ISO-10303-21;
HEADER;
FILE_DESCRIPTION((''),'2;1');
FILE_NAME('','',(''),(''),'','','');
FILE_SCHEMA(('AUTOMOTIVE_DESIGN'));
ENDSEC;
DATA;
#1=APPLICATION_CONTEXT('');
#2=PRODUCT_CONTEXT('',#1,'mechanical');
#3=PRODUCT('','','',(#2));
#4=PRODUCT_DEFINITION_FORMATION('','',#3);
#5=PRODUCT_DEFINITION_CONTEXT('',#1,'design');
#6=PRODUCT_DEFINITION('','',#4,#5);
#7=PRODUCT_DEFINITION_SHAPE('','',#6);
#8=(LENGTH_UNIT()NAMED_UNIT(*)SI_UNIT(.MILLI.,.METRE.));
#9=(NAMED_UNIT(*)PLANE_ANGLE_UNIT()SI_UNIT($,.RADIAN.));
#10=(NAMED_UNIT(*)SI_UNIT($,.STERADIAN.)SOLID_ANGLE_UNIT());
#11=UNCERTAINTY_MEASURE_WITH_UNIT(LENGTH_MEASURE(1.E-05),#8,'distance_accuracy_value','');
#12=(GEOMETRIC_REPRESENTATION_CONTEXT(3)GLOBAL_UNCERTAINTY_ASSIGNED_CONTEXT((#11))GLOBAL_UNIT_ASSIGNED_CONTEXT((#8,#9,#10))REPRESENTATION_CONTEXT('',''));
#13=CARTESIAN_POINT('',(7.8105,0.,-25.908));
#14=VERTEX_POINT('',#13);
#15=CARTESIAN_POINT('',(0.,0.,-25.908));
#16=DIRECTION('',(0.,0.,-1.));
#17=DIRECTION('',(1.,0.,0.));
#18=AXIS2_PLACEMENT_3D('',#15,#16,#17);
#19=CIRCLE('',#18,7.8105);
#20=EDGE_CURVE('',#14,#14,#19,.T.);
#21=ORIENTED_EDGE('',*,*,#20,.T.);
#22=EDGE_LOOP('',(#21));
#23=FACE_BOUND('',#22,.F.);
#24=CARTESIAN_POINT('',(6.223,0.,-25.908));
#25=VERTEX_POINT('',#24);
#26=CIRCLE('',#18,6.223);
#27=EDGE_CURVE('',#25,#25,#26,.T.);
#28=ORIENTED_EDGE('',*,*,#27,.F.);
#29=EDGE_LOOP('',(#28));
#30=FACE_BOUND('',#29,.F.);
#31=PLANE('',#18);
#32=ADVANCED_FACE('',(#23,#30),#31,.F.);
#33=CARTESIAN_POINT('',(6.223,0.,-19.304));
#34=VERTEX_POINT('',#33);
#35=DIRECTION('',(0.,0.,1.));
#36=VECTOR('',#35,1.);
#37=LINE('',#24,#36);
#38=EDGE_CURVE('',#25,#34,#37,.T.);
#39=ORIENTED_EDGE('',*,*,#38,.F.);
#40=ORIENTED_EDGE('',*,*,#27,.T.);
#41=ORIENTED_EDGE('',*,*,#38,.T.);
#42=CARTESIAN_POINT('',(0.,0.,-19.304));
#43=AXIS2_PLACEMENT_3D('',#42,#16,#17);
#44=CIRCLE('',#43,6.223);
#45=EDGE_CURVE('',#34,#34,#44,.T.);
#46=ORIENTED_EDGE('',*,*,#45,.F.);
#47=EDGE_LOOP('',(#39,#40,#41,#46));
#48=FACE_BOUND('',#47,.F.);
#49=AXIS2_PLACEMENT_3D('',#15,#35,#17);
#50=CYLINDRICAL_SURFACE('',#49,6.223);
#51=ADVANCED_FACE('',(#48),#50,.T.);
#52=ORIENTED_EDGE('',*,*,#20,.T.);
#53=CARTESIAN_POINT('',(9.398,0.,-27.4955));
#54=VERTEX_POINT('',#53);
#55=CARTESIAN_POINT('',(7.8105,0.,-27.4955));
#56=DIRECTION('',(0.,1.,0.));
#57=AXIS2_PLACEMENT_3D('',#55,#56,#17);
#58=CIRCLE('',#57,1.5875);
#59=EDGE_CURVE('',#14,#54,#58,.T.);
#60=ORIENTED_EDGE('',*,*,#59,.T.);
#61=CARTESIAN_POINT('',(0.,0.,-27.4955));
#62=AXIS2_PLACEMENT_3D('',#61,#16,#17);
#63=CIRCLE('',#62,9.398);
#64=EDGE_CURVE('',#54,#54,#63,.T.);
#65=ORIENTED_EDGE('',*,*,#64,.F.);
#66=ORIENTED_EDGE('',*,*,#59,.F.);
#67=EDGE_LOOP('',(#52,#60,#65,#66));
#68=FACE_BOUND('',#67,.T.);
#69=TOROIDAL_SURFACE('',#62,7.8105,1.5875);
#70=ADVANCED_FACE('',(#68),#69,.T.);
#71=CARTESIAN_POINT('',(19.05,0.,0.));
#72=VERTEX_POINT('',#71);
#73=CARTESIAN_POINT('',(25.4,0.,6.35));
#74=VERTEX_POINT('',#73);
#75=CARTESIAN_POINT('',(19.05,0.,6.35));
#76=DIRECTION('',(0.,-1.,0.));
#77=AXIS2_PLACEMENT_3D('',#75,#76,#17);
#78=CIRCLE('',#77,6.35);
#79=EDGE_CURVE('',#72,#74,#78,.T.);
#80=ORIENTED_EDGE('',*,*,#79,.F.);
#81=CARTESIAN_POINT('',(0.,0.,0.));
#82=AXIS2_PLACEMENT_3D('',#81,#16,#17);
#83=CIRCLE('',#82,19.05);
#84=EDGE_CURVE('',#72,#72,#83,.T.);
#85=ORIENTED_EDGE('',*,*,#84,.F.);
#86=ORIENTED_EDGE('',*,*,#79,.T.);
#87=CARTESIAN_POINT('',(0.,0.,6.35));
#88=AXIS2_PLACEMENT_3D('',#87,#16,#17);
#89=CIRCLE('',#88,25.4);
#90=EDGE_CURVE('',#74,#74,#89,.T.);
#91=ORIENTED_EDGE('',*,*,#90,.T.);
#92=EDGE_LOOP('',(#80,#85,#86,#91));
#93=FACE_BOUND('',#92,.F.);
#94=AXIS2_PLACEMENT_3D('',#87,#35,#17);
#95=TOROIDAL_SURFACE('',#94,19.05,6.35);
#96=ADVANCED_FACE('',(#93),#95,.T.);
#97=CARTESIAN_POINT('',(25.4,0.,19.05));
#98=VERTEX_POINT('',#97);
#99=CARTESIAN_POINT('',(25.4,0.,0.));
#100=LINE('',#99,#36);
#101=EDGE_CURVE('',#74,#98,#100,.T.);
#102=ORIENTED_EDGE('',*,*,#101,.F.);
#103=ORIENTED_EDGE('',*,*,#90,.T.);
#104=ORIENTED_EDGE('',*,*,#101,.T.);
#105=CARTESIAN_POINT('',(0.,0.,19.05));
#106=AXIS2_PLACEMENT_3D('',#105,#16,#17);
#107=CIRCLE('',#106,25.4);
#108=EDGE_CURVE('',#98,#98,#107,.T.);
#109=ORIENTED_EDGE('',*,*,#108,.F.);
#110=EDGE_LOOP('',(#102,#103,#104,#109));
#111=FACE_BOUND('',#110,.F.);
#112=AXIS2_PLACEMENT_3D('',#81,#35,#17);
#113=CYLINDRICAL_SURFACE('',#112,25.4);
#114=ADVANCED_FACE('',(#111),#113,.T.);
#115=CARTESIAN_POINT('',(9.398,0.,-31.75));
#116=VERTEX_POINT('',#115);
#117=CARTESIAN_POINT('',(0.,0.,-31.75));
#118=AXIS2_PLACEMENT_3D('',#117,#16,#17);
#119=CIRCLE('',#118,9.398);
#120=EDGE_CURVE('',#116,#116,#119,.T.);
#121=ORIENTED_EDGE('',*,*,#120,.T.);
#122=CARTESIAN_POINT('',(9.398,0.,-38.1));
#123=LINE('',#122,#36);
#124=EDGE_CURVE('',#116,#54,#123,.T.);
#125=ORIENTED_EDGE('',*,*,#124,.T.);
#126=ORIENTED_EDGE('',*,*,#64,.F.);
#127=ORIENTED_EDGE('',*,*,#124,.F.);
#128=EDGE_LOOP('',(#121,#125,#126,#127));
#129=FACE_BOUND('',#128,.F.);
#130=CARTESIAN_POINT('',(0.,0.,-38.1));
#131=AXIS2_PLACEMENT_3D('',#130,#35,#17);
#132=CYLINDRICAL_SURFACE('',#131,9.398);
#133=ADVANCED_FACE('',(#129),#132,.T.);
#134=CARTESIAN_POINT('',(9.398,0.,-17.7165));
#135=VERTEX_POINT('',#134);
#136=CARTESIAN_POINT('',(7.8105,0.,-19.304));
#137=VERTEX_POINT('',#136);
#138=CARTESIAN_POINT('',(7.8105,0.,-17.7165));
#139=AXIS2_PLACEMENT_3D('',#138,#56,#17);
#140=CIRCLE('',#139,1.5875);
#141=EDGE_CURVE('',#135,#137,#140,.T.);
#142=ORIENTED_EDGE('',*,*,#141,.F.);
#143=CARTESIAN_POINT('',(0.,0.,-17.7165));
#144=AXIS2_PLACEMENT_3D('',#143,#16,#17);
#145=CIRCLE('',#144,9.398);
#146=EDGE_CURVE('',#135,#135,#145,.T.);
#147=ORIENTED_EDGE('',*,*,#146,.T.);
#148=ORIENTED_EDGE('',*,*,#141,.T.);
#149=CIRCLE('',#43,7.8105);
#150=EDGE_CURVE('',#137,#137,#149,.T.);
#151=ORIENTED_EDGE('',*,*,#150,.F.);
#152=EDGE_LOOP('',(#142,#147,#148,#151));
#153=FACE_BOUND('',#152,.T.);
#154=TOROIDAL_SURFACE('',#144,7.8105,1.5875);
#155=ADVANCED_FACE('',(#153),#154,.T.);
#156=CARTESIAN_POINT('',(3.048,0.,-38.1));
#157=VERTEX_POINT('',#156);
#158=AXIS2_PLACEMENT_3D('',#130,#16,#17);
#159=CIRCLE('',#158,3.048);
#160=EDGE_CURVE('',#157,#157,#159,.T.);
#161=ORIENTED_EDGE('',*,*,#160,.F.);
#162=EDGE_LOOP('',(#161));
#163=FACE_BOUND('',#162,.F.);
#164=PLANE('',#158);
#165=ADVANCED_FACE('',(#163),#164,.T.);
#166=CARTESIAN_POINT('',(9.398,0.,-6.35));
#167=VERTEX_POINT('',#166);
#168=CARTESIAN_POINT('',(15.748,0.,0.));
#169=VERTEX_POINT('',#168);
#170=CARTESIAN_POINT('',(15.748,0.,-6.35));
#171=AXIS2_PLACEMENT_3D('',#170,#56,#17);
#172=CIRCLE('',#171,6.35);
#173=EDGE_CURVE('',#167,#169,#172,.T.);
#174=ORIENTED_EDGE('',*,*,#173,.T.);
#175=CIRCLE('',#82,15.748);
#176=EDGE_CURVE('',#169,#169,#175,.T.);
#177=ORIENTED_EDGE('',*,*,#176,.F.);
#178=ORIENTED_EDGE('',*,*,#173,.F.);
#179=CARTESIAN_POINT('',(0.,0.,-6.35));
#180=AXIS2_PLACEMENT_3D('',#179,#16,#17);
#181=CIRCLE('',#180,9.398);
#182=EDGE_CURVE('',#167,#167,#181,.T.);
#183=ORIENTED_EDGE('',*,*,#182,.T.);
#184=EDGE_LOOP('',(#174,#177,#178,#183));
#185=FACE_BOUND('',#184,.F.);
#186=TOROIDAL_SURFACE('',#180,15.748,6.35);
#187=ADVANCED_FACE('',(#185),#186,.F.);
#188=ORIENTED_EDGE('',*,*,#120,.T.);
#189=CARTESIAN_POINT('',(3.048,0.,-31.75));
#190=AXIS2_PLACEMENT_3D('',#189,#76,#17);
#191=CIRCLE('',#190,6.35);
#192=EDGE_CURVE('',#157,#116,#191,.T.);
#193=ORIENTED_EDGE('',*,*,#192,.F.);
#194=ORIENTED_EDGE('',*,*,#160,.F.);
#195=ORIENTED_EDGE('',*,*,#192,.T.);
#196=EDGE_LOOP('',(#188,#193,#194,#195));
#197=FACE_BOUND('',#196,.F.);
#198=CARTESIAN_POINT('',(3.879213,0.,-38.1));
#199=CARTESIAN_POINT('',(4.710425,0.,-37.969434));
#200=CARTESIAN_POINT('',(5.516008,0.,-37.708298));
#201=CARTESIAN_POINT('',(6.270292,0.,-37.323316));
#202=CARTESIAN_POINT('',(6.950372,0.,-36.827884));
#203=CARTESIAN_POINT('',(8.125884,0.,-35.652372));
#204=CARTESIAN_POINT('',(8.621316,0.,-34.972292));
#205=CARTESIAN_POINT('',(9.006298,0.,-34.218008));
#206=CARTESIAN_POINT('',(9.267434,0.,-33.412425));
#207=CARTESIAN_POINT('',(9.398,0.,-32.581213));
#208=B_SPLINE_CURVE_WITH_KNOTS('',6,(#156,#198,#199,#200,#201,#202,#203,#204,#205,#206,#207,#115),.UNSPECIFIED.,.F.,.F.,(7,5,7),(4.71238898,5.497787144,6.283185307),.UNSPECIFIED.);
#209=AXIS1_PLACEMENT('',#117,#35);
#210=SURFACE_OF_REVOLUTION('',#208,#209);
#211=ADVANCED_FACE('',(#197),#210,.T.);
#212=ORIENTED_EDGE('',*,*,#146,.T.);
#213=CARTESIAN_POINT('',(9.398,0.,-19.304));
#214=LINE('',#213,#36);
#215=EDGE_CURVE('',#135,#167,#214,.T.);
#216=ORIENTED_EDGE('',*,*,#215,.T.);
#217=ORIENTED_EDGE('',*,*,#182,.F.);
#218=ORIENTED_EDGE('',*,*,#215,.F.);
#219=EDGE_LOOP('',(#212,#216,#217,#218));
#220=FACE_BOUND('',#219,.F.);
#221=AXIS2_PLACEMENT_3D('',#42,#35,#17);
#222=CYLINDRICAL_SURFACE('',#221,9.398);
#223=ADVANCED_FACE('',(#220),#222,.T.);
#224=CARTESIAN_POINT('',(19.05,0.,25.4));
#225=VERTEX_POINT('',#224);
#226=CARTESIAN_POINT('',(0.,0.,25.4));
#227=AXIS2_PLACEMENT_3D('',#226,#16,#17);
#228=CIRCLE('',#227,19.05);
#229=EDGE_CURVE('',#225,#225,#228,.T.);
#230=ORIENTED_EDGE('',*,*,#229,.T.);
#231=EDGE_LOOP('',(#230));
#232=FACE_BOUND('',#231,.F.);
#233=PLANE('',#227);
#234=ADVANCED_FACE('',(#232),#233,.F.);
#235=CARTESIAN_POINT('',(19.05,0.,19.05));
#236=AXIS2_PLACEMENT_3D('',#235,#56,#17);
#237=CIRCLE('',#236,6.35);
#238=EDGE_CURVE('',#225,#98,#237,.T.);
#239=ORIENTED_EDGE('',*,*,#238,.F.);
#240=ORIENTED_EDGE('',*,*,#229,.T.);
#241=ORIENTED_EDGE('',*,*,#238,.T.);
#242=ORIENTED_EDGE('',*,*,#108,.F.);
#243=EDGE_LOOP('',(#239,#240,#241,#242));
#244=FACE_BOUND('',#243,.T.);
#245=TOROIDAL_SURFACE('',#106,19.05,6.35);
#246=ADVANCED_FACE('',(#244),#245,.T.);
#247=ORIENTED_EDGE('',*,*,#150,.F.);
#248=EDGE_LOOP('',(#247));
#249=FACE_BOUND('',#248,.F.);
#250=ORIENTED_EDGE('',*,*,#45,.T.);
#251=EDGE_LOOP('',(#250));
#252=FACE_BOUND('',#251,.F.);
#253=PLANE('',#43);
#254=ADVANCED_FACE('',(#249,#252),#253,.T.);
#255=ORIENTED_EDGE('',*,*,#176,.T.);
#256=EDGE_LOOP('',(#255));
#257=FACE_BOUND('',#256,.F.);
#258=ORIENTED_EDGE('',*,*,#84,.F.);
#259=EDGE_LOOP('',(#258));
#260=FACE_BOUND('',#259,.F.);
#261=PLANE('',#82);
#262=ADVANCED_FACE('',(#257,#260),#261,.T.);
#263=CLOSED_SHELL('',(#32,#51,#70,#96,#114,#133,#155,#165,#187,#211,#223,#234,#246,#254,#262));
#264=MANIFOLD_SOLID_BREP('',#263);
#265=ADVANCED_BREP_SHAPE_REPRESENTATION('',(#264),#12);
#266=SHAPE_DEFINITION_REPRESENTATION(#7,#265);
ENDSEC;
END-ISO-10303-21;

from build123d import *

# Parameters (mm, degrees)
F2_R = 6.35
F3_R = 1.5875


with BuildPart() as f1:
    # F0 (on Front) → F1 (revolve)
    with BuildSketch(Plane.XZ):
        Polygon((25.4, 25.4), (0, 25.4), (0, -38.1), (9.398, -38.1), (9.398, -25.908), (6.223, -25.908), (6.223, -19.304), (9.398, -19.304), (9.398, 0), (25.4, 0), align=None)
    revolve(axis=Axis((0, 0, 0.492247), (0, 0, -1)))

    # F2
    f2_edges = [f1.edges().sort_by_distance(p)[0] for p in [
        (-25.4, 0, 0),
        (-25.4, 0, 25.4),
        (25.4, 0, 12.7),
        (-9.398, 0, -38.1),
        (-9.398, 0, 0),
    ]]
    fillet(f2_edges, radius=F2_R)

    # F3
    f3_edges = [f1.edges().sort_by_distance(p)[0] for p in [
        (-9.398, 0, -19.304),
        (-9.398, 0, -25.908),
    ]]
    fillet(f3_edges, radius=F3_R)


solid = f1.part
